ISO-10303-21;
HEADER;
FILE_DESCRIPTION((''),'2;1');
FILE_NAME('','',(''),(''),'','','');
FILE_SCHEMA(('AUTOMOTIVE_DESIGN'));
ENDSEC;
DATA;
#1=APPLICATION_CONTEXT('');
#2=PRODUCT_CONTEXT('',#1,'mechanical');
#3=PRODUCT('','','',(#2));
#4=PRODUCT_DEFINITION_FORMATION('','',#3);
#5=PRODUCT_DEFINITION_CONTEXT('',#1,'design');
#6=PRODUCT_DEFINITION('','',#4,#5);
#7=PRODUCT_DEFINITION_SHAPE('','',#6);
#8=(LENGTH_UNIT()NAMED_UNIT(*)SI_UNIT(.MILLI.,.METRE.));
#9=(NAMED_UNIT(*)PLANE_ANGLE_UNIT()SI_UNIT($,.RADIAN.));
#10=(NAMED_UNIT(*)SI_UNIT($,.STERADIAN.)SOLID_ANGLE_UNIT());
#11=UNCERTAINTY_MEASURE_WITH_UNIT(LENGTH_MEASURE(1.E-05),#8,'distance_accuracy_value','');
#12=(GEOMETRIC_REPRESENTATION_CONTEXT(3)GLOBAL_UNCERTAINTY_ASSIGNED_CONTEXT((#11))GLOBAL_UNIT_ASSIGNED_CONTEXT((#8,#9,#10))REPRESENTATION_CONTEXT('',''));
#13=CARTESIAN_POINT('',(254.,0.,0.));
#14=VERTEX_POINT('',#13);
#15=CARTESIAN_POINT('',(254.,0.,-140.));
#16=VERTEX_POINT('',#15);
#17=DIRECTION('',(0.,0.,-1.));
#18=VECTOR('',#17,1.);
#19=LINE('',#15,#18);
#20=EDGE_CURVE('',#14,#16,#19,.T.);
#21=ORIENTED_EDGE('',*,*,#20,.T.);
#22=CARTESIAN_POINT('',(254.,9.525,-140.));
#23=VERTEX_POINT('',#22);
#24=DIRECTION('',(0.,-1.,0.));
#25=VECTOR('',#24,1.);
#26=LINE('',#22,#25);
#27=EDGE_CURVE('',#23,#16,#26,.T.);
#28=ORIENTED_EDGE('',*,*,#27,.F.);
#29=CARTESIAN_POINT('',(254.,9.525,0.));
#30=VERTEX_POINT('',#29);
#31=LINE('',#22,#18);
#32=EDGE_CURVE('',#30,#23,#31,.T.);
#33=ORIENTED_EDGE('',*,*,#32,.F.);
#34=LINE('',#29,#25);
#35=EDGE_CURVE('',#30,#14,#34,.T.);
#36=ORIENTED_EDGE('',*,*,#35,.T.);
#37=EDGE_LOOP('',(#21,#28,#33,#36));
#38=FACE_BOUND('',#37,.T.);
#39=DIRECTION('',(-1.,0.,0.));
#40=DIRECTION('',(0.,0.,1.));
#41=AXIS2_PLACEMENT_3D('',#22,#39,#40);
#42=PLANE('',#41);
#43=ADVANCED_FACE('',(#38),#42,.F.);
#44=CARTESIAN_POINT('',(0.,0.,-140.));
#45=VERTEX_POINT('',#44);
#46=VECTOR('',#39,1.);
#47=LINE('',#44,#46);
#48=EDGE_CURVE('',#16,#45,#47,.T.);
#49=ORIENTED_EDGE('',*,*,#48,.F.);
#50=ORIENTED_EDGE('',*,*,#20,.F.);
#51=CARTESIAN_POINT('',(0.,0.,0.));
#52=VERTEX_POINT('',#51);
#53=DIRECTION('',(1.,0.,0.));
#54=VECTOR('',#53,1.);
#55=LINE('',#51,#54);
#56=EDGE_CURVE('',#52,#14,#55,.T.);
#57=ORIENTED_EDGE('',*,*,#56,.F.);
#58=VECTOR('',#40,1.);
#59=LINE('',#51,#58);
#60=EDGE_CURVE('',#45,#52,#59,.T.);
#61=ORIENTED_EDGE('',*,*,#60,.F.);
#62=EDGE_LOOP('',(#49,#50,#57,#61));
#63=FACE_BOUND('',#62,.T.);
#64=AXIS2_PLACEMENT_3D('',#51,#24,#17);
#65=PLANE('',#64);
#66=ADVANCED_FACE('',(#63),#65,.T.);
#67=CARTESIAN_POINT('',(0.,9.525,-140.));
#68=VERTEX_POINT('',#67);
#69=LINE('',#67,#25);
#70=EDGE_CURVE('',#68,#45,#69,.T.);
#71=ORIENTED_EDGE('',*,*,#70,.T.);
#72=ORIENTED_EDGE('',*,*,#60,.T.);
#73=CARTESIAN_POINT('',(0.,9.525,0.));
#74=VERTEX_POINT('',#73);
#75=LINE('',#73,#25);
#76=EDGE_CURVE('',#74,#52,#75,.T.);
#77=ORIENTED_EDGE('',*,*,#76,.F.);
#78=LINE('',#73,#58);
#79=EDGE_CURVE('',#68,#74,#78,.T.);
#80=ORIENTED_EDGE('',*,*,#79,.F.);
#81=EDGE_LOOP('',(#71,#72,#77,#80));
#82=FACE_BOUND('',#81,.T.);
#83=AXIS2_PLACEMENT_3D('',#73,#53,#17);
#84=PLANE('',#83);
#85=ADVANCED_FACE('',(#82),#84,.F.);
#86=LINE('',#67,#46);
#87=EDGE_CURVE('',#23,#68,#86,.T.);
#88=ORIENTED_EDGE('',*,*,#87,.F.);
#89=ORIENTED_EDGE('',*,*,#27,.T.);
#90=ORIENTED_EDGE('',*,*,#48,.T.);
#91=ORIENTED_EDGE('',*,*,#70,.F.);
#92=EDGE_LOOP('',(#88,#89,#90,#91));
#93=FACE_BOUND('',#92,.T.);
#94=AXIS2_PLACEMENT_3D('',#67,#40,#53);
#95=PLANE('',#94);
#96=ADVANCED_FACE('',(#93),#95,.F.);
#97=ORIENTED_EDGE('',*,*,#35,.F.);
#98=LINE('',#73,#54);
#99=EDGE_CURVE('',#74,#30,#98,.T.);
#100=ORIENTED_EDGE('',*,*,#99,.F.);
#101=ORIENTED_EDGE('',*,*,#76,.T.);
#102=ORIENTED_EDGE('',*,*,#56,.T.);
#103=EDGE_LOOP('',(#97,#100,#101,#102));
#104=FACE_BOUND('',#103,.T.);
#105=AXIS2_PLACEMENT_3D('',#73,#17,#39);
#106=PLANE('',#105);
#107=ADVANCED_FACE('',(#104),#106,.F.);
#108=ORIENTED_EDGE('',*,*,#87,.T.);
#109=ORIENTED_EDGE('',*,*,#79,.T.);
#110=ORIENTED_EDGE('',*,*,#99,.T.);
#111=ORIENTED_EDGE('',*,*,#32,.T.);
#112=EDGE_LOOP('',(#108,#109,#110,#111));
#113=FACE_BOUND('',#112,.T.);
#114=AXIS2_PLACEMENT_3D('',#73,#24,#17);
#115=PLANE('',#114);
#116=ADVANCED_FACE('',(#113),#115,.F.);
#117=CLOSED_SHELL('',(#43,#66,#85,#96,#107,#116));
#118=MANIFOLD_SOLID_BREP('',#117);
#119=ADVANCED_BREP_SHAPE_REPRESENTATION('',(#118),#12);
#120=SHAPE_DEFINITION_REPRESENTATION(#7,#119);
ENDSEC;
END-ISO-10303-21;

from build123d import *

# Parameters (mm, degrees)
CROQUIS1_W              = 254
CROQUIS1_H              = 140
SALIENTE_EXTRUIR1_DEPTH = 9.525


with BuildPart() as part:
    # Croquis1 → Saliente-Extruir1 (new body)
    with BuildSketch(Plane(origin=(0, 0, 0), x_dir=(1, 0, 0), z_dir=(0, 1, 0))):
        with Locations((127, 70)):
            Rectangle(CROQUIS1_W, CROQUIS1_H)
    extrude(amount=SALIENTE_EXTRUIR1_DEPTH)


solid = part.part
